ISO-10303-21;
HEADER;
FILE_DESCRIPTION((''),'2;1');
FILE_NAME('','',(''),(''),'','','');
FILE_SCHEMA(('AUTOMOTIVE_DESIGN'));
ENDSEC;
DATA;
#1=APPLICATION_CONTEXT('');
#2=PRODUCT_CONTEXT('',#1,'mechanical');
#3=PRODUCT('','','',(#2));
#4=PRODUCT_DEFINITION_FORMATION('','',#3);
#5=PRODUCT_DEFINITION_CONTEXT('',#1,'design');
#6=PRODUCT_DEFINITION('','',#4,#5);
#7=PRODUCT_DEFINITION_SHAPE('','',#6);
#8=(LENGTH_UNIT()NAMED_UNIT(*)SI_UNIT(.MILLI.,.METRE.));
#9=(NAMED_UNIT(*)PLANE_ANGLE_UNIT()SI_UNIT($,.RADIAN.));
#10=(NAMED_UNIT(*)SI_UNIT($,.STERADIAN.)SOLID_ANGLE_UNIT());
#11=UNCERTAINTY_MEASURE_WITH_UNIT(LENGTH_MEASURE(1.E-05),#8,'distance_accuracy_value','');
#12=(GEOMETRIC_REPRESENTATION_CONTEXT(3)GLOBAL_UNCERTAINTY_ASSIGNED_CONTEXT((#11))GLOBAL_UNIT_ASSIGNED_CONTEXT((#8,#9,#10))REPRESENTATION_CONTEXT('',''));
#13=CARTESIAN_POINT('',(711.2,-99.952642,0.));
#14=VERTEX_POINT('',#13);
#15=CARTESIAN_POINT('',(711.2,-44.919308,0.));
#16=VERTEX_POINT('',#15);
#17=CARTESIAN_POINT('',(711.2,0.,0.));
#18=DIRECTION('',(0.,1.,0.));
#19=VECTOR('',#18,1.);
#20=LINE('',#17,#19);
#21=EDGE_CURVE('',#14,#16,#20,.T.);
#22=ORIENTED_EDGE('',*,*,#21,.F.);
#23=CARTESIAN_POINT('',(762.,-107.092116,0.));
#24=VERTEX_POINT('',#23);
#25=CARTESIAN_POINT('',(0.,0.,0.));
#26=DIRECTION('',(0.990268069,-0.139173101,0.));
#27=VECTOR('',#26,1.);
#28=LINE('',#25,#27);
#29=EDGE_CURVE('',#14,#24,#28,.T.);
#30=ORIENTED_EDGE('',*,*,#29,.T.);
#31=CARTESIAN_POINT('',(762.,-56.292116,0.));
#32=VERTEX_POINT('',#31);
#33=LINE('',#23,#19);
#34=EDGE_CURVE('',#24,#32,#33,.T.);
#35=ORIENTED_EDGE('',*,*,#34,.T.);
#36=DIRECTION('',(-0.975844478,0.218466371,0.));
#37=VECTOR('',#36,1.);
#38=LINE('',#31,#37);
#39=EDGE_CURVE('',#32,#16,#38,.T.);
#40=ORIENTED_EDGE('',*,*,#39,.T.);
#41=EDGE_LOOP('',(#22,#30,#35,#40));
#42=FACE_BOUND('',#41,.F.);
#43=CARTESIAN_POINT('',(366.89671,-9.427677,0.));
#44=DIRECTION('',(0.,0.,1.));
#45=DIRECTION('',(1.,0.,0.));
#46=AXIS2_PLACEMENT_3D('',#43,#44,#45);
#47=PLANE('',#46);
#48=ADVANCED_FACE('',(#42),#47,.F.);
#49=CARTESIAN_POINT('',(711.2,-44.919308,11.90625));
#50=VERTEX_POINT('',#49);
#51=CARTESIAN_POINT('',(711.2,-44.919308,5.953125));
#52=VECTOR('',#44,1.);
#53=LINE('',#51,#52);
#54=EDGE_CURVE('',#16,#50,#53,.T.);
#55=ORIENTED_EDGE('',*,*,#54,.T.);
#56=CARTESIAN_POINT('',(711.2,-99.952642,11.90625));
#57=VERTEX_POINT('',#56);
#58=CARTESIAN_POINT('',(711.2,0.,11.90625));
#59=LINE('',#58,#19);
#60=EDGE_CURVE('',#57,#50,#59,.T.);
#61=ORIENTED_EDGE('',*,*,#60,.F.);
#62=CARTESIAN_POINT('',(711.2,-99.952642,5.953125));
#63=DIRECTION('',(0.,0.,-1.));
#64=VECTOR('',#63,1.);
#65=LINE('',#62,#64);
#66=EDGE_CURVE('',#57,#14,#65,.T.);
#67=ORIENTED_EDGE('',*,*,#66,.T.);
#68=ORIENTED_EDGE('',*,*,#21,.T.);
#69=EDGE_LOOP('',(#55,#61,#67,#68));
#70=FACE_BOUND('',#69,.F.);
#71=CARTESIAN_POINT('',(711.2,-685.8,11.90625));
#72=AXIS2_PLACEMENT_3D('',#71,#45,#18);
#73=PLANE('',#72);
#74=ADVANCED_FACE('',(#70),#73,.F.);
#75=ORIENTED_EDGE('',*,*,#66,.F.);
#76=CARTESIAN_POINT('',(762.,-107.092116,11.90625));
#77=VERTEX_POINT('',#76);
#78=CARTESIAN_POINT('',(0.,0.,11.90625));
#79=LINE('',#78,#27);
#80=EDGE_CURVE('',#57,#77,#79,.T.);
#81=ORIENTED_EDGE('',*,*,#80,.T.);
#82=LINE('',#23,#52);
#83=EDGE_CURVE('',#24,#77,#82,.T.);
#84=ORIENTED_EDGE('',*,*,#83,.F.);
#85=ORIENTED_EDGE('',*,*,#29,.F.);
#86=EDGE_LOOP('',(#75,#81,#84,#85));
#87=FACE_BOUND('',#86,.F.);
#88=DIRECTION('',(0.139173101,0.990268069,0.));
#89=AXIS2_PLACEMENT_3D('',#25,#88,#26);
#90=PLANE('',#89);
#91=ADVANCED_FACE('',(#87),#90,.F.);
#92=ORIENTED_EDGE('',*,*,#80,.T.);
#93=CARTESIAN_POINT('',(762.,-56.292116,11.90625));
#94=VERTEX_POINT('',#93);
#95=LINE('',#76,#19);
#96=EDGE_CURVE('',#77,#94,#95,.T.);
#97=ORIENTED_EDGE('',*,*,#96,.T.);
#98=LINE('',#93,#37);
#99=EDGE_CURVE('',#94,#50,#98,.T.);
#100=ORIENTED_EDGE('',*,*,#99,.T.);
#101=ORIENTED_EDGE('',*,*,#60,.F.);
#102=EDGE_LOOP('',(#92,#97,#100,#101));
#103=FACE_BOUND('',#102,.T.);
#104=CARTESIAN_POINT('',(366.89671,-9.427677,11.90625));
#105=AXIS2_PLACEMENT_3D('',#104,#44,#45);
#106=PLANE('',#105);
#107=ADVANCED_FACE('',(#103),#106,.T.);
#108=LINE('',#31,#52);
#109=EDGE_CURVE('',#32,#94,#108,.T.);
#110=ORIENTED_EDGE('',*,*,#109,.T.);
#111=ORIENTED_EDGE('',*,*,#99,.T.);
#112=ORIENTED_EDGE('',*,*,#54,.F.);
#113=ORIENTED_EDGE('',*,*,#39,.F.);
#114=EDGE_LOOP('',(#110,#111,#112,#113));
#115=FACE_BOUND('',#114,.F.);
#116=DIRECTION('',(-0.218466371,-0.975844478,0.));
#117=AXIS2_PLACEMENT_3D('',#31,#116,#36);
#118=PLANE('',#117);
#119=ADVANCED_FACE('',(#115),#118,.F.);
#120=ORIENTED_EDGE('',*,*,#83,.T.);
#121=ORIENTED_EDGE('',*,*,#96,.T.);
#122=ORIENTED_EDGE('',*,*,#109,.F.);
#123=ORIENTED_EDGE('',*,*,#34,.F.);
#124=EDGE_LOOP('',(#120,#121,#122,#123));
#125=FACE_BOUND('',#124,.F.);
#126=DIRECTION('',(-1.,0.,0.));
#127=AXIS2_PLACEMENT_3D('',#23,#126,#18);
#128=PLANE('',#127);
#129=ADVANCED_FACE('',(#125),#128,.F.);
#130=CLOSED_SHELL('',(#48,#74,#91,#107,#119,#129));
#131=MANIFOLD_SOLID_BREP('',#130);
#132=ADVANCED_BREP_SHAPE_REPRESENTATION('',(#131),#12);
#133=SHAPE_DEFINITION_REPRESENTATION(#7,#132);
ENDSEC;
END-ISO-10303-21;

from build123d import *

# Parameters (mm, degrees)
PAD_DEPTH    = 11.90625
SKETCH001_W  = 711.2
SKETCH001_H  = 1371.6
POCKET_DEPTH = 11.90625


with BuildPart() as part:
    # Sketch → Pad (new body)
    with BuildSketch(Plane.XY):
        Polygon((0, 114.3), (0, 0), (762, -107.092116), (762, -56.292116), align=None)
    extrude(amount=PAD_DEPTH)

    # Sketch001 → Pocket (cut)
    with BuildSketch(Plane.XY.offset(11.90625)):
        with Locations((355.6, 0)):
            Rectangle(SKETCH001_W, SKETCH001_H)
    extrude(amount=-POCKET_DEPTH, mode=Mode.SUBTRACT)


solid = part.part
